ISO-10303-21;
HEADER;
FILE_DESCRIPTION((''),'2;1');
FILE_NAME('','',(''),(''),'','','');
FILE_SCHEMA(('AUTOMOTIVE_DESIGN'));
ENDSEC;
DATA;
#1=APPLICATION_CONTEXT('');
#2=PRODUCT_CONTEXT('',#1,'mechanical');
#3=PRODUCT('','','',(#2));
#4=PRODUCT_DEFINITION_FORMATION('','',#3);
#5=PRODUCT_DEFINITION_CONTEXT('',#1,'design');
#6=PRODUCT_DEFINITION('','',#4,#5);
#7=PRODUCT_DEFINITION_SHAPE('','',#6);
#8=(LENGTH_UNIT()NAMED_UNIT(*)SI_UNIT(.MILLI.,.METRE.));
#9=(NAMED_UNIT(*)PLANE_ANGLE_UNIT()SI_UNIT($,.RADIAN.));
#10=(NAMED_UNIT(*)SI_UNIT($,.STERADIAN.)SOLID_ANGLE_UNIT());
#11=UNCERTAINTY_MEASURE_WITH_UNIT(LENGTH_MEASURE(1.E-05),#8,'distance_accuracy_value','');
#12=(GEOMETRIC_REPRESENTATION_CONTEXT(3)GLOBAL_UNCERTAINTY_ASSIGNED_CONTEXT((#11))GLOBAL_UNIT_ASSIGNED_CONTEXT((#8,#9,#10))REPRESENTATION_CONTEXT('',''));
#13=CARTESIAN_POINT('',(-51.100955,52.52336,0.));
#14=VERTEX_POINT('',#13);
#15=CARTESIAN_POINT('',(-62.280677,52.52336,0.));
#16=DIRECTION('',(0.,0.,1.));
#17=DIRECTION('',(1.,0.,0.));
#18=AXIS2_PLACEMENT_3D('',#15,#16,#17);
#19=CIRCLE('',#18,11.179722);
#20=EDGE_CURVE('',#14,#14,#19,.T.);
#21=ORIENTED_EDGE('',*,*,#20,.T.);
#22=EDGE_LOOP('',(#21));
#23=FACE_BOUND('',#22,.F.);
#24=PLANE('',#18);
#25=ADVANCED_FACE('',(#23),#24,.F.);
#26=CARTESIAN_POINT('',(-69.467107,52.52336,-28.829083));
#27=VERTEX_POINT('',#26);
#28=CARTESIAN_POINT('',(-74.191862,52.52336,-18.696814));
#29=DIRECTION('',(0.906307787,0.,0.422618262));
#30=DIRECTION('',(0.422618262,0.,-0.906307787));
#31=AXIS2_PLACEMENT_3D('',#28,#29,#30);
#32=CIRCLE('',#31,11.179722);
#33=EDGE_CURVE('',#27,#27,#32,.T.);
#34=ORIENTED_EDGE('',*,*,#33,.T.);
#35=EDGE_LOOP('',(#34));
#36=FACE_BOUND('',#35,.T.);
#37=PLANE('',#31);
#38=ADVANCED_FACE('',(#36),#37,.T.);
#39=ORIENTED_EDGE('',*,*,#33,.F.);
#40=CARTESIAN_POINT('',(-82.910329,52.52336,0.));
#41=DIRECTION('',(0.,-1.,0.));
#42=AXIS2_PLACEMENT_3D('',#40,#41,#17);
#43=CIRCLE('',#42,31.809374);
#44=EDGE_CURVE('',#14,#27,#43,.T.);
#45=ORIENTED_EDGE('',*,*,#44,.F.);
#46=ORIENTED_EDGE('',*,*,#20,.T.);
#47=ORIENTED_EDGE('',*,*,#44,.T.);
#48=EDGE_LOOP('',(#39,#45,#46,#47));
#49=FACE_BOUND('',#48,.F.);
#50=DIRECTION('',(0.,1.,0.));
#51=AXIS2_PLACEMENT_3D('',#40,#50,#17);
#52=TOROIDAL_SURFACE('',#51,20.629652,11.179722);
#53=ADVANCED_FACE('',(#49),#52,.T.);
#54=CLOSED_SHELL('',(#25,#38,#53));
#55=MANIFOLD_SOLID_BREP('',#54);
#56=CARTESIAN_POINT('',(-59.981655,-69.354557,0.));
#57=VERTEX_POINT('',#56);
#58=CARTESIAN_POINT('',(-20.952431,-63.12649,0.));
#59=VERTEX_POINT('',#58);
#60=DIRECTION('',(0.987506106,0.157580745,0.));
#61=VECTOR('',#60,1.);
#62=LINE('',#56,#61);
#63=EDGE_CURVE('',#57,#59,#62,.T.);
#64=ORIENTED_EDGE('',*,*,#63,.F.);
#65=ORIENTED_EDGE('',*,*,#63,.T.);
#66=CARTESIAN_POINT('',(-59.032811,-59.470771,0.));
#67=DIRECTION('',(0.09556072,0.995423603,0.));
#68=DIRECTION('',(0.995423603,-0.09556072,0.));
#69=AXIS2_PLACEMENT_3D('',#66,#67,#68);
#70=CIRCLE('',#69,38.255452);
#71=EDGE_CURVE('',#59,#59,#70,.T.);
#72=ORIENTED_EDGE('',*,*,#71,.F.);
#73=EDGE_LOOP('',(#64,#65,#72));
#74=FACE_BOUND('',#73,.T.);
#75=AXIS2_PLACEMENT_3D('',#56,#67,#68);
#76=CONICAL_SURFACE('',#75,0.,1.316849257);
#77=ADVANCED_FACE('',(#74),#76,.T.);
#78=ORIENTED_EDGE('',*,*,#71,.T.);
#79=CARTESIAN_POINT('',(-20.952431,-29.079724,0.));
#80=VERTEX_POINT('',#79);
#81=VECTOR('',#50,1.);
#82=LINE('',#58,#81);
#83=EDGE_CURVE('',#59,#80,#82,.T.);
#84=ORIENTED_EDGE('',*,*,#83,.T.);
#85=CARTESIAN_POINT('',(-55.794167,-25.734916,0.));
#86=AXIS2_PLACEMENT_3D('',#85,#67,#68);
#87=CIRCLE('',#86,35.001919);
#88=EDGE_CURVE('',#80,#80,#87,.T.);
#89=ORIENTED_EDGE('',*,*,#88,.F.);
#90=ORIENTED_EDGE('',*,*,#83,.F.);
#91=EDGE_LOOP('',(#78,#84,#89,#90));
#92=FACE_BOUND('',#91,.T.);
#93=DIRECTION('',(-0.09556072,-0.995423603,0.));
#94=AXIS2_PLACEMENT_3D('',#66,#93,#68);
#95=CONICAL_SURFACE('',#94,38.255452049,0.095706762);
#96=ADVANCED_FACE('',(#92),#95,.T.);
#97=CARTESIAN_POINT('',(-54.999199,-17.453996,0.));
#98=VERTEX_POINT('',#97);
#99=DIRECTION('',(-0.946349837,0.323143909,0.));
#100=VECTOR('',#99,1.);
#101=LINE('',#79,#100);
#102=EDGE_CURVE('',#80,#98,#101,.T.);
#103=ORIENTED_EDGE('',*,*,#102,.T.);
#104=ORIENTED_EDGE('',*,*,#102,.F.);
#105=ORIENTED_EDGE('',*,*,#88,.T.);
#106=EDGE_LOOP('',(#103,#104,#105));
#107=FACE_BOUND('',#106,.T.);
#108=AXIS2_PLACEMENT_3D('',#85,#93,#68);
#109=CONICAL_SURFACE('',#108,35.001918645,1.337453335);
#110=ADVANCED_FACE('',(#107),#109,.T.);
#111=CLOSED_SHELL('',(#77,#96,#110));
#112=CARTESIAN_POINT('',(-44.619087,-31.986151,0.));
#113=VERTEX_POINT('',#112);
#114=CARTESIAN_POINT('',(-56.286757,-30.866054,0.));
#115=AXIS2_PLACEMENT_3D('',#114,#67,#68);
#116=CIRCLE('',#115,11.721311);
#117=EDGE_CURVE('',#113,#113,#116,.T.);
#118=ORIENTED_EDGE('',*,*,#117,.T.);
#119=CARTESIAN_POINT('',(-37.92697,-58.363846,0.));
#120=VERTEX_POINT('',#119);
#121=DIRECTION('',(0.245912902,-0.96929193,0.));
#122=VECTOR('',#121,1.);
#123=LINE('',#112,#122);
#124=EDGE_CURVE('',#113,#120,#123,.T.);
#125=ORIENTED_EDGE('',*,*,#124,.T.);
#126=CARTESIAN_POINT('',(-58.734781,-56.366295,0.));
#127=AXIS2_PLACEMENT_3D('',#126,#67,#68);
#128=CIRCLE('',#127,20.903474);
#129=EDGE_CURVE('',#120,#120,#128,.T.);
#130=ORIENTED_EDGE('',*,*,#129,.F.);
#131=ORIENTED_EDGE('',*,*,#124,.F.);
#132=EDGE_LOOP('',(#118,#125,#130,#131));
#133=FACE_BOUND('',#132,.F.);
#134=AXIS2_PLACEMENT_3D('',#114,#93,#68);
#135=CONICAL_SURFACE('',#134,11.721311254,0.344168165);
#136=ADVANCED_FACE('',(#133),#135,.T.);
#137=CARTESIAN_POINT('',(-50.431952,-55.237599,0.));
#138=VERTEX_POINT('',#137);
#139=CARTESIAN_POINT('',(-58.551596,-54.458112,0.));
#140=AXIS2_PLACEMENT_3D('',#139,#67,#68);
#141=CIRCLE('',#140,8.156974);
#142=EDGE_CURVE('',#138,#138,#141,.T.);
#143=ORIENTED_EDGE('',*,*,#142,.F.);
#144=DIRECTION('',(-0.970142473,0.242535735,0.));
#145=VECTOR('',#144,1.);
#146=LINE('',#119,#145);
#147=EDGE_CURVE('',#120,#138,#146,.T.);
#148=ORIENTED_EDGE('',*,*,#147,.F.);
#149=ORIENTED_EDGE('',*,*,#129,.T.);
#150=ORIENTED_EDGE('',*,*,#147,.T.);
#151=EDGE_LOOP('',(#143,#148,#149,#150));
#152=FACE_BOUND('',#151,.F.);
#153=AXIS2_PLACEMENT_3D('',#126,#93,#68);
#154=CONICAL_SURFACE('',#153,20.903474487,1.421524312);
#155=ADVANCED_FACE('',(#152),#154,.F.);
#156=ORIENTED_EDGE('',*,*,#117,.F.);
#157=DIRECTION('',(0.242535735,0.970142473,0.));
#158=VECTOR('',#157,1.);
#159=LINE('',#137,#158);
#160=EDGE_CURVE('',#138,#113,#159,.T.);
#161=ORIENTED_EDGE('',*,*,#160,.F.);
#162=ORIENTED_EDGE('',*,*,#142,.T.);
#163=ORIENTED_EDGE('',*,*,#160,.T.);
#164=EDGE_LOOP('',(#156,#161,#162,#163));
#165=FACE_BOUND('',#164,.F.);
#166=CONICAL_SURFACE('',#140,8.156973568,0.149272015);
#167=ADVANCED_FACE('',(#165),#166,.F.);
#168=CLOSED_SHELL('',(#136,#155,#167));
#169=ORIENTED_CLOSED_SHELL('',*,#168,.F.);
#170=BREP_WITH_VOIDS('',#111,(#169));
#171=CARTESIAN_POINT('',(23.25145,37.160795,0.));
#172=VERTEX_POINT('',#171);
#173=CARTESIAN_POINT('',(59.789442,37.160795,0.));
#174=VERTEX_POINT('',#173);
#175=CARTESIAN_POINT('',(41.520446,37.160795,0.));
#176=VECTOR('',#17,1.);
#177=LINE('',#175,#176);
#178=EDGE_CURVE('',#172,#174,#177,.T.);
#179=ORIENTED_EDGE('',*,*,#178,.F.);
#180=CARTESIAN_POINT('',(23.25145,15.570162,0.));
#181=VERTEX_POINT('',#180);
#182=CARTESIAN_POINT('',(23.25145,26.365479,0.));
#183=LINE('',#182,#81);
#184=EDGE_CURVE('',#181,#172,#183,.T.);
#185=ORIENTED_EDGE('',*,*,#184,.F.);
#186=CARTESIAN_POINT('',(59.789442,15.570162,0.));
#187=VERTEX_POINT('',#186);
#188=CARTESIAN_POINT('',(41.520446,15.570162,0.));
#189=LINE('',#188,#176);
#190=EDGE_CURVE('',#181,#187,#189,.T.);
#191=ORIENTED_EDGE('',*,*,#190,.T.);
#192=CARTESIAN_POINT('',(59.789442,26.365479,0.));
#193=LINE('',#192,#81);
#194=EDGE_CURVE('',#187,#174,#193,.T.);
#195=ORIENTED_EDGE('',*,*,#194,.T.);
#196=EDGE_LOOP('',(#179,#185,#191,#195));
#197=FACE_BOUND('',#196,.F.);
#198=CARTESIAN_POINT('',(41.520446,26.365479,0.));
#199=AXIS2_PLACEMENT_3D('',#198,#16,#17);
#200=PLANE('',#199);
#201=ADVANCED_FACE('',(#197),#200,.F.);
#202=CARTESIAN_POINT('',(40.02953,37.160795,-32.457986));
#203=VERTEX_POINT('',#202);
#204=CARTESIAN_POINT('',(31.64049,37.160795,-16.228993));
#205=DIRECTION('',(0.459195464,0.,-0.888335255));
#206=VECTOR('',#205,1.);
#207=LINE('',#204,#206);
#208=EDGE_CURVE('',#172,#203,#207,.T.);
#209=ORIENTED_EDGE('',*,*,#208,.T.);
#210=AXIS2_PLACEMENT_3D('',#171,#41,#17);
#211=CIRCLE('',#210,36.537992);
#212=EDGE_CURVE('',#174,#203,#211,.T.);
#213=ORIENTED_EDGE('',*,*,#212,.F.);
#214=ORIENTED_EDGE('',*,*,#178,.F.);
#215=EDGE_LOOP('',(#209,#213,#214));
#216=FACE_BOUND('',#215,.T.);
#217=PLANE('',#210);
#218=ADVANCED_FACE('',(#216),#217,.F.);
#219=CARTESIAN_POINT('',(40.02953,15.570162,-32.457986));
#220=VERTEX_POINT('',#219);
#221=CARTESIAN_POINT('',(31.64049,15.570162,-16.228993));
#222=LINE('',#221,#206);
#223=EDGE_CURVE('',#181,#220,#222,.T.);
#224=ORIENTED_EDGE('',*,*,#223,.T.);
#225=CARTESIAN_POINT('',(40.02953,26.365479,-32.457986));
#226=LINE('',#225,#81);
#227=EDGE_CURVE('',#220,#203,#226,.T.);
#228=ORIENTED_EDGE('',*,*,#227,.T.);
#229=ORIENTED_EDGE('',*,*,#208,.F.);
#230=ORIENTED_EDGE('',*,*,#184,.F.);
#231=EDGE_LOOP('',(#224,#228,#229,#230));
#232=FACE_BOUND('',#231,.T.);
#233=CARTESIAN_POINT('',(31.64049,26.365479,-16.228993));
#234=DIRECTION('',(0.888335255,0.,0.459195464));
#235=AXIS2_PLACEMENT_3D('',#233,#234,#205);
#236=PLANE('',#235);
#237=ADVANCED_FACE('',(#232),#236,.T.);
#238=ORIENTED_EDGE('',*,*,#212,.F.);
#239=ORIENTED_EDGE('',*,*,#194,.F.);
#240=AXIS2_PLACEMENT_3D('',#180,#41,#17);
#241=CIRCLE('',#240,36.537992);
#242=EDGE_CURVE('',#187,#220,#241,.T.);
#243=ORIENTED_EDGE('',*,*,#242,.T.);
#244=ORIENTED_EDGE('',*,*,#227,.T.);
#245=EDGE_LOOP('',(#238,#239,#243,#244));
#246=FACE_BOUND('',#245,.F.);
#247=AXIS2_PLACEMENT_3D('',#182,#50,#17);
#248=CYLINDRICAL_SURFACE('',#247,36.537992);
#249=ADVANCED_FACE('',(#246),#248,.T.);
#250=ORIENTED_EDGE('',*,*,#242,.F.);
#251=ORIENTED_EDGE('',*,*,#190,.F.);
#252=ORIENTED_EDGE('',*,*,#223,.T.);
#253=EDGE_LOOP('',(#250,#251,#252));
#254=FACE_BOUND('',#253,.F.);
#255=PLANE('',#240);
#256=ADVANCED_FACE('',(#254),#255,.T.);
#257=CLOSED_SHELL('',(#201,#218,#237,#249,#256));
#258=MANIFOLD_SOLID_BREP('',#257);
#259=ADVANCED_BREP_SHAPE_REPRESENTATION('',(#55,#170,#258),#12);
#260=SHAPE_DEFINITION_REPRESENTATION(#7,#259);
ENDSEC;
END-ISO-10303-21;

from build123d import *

# Parameters (mm, degrees)
F0_W     = 36.5379918367
F0_H     = 21.5906333178
F1_ANGLE = 297.3352044647
F0_R     = 11.1797222355
F2_ANGLE = 295


with BuildPart() as f1:
    # F0 (on Top) → F1 (revolve)
    with BuildSketch(Plane.XY):
        with Locations((41.5204456076, 26.3654785231)):
            Rectangle(F0_W, F0_H)
    revolve(axis=Axis((23.2514496893, 26.3654785231, 0), (0, -1, 0)), revolution_arc=F1_ANGLE)


with BuildPart() as f2:
    # F0 (on Top) → F2 (revolve)
    with BuildSketch(Plane.XY):
        with Locations((-62.280677259, 52.5233596563)):
            Circle(F0_R)
    revolve(axis=Axis((-82.9103291035, 50.9820729494, 0), (0, -1, 0)), revolution_arc=F2_ANGLE)


with BuildPart() as f3:
    # F0 (on Top) → F3 (revolve)
    with BuildSketch(Plane.XY):
        Polygon((-20.9524314851, -29.0797241032), (-54.9991987646, -17.4539964646), (-59.9816553295, -69.3545565009), (-20.9524314851, -63.1264895201), align=None)
        Polygon((-50.4319518805, -55.2375987172), (-44.6190871298, -31.9861508906), (-37.9269696142, -58.3638457864), align=None, mode=Mode.SUBTRACT)
    revolve(axis=Axis((-57.490427047, -43.4042764828, 0), (0.0955607196, 0.9954236027, 0)))


solid = Compound([f1.part, f2.part, f3.part])
